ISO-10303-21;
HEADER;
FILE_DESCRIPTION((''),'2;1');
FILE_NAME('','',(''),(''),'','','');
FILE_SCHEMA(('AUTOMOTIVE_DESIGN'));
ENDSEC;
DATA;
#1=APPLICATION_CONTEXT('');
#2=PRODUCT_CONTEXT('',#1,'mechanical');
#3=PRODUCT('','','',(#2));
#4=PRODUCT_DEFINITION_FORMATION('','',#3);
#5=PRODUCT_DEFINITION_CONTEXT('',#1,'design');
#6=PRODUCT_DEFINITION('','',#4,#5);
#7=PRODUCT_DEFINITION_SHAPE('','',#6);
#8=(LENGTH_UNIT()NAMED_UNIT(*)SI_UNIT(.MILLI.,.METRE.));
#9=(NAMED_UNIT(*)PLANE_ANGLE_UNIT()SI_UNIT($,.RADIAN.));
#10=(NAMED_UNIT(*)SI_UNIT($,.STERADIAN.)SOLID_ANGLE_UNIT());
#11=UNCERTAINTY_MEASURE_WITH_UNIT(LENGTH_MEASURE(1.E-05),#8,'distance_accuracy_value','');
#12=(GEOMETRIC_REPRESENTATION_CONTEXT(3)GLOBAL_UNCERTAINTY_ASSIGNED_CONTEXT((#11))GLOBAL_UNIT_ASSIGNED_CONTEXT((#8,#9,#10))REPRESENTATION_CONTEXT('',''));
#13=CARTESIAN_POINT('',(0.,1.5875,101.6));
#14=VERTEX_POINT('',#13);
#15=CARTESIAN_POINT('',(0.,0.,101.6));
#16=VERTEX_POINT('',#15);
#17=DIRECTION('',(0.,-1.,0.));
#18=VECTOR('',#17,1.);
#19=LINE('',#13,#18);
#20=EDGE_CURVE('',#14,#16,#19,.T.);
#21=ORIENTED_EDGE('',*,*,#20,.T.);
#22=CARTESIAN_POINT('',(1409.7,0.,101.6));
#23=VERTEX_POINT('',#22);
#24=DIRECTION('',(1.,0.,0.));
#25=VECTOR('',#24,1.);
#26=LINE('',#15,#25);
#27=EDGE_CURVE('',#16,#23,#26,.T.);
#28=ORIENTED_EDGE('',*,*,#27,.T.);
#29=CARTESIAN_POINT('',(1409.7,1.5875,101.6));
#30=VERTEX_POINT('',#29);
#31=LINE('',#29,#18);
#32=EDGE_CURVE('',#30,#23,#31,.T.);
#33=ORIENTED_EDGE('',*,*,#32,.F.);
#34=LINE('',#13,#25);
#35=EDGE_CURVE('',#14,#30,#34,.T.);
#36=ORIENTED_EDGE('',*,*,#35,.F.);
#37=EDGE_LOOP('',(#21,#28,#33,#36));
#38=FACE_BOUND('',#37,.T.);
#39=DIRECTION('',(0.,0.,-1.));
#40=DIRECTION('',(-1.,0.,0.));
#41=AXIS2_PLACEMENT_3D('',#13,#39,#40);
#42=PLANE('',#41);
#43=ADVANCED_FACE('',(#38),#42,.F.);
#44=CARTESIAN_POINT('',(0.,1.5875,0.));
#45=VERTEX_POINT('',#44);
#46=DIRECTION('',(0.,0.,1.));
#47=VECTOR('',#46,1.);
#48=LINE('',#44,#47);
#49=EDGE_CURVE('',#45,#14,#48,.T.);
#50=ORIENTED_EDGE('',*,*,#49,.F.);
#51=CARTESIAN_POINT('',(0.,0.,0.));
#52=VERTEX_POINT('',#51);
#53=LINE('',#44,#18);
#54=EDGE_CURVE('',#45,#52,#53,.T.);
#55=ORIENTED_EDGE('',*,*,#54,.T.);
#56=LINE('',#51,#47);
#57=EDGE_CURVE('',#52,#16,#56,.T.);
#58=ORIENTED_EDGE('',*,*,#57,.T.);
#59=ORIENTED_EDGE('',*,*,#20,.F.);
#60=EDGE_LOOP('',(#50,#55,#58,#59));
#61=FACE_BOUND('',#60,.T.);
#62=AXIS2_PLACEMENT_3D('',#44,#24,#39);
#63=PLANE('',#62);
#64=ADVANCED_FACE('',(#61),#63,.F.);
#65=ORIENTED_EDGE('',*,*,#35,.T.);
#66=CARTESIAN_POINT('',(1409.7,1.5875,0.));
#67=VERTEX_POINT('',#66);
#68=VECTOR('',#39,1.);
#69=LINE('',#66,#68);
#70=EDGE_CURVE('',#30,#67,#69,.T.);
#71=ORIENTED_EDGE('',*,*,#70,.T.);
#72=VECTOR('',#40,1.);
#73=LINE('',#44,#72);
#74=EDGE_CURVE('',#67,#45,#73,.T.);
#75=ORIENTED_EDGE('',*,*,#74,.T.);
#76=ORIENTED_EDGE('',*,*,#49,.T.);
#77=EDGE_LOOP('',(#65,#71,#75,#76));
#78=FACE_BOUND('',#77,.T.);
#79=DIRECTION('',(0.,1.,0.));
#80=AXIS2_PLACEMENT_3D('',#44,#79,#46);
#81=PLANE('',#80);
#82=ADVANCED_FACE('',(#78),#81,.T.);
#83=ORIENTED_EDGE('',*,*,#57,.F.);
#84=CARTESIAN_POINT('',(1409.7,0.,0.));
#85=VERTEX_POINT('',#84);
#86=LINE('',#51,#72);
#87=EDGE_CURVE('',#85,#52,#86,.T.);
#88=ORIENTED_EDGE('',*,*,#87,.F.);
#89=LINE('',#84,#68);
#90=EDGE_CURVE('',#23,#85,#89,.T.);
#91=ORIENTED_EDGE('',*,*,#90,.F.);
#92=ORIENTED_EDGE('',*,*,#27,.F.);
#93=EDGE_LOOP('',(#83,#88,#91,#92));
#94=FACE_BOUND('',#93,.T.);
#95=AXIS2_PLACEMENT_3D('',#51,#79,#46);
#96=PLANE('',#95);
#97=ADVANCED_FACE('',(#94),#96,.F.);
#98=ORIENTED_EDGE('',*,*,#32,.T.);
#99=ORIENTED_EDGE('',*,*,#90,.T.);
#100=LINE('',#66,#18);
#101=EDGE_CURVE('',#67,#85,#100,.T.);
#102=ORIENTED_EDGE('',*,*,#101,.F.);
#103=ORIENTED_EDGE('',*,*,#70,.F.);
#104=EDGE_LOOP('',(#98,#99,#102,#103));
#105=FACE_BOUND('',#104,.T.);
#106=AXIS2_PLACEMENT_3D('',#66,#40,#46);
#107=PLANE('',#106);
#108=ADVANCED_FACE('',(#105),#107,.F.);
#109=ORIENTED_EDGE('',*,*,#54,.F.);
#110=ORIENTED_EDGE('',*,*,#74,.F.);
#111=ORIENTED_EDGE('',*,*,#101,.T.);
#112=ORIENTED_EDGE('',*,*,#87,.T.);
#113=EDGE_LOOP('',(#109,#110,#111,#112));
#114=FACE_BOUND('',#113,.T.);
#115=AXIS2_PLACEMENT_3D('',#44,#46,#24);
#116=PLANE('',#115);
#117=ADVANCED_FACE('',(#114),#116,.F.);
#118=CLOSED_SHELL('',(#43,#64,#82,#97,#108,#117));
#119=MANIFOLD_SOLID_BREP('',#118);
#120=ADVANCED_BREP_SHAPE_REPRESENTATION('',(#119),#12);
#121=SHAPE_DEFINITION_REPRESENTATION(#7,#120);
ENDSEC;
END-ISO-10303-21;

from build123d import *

# Parameters (mm, degrees)
SKETCH2_W           = 1409.7
SKETCH2_H           = 101.6
BOSS_EXTRUDE1_DEPTH = 1.5875


with BuildPart() as part:
    # Sketch2 → Boss-Extrude1 (new body)
    with BuildSketch(Plane(origin=(0, 0, 0), x_dir=(1, 0, 0), z_dir=(0, 1, 0))):
        with Locations((704.85, -50.8)):
            Rectangle(SKETCH2_W, SKETCH2_H)
    extrude(amount=BOSS_EXTRUDE1_DEPTH)


solid = part.part
